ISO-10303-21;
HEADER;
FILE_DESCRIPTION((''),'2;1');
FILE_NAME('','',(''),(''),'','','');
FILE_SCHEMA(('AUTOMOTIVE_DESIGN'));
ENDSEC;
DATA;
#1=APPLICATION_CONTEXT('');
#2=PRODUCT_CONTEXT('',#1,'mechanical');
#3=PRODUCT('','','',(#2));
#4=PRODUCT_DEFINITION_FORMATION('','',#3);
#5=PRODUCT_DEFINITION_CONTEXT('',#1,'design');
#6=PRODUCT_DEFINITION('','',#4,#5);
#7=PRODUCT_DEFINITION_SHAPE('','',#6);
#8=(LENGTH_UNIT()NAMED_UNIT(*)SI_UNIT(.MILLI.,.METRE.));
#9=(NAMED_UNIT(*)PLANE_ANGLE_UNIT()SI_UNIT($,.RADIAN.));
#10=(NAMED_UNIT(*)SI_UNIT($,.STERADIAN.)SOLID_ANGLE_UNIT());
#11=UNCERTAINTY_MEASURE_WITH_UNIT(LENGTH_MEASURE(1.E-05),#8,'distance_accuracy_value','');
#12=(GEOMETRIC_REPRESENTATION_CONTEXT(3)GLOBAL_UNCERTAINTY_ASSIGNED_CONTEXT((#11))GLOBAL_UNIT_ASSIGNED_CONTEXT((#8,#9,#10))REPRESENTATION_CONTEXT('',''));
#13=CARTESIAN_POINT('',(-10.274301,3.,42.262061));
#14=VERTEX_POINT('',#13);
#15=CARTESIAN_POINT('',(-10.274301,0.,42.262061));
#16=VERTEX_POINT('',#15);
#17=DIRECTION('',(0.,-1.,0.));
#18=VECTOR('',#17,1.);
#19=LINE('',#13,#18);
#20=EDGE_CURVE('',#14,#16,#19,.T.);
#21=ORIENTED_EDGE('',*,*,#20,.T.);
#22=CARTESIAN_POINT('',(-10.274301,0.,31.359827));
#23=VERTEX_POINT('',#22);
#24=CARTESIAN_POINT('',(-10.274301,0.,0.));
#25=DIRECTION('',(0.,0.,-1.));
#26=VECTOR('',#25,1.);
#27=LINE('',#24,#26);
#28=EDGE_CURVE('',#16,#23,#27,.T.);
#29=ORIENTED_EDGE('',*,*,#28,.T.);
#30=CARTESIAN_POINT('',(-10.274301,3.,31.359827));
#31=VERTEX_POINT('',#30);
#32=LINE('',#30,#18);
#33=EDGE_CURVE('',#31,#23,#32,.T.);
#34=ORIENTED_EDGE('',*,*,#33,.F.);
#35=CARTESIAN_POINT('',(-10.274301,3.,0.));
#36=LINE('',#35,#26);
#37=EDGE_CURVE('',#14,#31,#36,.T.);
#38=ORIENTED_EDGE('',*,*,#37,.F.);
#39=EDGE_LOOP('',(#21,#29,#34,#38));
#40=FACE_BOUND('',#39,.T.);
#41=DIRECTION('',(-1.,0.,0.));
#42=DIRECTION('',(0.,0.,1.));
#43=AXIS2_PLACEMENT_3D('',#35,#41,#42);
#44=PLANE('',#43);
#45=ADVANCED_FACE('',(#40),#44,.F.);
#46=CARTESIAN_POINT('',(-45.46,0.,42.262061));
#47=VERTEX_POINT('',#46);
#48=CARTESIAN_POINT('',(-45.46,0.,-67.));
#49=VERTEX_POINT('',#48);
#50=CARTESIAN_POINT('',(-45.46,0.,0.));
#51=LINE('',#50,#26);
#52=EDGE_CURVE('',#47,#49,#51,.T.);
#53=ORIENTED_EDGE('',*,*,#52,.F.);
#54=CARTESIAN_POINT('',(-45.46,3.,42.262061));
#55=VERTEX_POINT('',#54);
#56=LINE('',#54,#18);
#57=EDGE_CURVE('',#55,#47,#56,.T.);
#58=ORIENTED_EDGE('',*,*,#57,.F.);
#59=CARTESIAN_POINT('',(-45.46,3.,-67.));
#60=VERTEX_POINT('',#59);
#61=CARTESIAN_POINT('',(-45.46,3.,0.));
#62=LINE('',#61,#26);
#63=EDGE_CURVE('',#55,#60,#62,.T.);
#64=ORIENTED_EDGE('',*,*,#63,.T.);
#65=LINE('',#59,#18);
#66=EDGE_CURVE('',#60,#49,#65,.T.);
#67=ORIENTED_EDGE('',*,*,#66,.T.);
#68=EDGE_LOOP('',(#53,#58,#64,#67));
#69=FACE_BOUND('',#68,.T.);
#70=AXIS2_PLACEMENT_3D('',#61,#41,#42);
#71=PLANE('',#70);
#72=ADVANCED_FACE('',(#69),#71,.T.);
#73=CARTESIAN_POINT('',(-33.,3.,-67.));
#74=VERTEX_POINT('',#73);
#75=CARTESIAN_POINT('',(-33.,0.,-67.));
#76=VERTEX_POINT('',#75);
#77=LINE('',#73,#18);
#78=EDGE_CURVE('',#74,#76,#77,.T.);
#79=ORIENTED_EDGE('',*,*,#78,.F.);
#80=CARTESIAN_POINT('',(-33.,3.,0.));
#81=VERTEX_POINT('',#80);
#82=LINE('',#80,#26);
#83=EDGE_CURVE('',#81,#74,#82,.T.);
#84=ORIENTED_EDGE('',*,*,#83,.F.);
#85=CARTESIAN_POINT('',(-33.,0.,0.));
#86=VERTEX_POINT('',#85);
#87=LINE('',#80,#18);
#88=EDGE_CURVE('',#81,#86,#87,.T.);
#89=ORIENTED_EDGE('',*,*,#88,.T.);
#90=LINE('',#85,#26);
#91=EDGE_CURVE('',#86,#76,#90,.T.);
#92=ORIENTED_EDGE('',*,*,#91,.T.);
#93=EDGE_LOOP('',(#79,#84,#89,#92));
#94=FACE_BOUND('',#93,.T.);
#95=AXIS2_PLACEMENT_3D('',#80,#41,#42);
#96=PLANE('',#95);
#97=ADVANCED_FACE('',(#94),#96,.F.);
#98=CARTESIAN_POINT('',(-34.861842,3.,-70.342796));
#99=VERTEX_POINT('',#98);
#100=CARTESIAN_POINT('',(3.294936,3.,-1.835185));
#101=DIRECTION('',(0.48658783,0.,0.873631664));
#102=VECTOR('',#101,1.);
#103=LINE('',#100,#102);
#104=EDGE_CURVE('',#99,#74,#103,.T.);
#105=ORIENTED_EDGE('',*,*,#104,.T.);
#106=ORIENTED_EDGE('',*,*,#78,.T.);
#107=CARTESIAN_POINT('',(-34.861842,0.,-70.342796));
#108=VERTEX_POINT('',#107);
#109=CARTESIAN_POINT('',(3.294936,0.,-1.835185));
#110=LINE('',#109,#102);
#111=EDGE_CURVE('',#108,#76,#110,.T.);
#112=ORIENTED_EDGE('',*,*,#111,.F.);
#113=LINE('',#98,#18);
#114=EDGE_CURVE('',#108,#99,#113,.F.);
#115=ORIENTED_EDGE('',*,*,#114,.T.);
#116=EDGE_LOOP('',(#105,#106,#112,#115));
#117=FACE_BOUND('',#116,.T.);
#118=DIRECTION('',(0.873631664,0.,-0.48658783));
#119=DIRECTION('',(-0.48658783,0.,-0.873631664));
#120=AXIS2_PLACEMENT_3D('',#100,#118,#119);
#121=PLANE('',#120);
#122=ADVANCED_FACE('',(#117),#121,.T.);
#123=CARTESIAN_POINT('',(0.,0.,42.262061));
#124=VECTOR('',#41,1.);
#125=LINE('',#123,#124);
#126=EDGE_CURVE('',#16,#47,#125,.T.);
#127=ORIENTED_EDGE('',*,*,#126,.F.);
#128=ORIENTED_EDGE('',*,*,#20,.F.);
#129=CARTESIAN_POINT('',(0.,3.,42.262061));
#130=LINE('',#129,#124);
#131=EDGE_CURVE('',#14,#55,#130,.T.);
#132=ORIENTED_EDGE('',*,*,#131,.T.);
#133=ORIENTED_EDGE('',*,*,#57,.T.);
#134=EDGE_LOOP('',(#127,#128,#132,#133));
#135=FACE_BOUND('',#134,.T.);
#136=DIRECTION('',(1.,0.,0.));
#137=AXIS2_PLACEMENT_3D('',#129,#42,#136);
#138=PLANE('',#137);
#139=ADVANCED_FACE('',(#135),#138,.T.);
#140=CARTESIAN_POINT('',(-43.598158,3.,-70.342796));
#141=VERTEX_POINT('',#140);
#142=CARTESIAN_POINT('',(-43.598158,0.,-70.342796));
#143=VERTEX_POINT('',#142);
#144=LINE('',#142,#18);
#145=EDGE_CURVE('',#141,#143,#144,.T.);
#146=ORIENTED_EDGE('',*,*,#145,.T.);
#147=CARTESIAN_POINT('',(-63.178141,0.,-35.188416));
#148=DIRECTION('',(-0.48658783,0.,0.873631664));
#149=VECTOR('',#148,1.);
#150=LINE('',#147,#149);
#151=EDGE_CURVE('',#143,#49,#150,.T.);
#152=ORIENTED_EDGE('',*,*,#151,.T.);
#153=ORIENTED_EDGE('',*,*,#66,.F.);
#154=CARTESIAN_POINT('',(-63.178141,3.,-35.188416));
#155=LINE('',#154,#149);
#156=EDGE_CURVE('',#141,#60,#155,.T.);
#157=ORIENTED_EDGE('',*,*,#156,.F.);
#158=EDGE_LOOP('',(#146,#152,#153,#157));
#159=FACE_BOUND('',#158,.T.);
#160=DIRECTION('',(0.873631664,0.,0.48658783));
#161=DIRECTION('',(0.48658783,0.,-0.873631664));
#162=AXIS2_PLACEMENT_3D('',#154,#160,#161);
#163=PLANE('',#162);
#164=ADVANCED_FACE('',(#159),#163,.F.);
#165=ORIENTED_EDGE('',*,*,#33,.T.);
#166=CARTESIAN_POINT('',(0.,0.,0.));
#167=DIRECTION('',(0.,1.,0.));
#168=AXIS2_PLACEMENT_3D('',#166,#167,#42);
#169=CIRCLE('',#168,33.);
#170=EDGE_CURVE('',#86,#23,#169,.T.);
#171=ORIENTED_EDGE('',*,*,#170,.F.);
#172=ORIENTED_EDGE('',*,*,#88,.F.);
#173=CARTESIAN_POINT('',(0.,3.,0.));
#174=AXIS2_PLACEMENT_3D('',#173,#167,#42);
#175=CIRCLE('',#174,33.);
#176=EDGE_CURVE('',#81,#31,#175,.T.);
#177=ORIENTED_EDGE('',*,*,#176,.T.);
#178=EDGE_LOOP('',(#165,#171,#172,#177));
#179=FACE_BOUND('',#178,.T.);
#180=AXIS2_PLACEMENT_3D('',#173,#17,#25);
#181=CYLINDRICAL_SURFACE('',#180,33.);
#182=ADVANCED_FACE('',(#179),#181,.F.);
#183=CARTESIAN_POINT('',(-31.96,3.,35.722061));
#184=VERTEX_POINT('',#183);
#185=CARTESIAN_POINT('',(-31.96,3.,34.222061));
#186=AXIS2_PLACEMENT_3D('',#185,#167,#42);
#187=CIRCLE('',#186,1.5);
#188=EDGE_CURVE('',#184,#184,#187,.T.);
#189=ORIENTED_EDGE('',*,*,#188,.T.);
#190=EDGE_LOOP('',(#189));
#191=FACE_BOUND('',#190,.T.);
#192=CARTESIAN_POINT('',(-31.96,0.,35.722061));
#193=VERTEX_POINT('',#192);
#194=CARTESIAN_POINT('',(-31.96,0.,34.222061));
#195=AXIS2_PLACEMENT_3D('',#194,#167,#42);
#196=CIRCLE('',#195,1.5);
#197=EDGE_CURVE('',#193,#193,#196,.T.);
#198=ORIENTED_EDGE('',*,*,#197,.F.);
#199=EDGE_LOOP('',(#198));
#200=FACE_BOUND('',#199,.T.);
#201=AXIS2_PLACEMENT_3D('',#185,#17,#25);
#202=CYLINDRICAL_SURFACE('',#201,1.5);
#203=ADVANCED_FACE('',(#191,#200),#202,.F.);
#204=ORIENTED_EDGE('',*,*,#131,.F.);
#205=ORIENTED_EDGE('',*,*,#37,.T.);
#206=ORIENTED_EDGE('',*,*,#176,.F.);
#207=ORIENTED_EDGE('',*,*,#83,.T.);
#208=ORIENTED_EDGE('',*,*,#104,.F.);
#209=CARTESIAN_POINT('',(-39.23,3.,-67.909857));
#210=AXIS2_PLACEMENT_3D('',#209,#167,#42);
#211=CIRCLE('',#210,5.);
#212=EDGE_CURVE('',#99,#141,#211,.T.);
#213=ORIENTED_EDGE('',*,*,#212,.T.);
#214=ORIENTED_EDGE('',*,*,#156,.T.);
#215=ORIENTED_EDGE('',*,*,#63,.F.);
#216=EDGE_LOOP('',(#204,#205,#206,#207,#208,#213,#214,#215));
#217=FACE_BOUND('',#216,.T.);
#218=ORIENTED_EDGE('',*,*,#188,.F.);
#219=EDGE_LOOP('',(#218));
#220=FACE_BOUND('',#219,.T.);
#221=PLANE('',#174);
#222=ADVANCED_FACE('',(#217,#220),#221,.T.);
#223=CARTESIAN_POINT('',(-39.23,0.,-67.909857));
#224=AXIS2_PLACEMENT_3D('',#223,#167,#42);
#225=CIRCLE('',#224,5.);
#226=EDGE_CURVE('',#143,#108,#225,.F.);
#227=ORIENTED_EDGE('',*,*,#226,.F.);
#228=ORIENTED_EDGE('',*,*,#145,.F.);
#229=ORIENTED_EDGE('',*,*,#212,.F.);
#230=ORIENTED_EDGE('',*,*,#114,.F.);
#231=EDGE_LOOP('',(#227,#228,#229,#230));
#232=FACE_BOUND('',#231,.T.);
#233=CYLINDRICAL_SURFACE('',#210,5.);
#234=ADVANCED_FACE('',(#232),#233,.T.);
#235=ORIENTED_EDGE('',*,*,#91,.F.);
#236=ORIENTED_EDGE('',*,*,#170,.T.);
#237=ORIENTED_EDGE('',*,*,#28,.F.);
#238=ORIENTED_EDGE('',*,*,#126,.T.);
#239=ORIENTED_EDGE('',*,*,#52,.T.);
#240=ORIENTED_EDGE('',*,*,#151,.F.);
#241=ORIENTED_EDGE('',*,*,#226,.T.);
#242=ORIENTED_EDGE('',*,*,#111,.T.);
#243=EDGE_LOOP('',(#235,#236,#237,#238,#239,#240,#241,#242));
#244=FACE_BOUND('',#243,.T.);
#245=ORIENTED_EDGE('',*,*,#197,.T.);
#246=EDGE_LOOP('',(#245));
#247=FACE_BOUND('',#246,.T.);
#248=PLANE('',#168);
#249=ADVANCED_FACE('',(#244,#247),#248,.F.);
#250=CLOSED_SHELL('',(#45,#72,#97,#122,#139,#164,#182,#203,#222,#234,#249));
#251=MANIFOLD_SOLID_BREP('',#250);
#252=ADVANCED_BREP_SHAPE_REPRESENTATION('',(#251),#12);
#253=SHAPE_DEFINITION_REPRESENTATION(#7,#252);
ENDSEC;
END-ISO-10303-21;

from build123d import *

# Parameters (mm, degrees)
SKETCH_1_R      = 1.5
EXTRUDE_1_DEPTH = 3
FILLET_4_R      = 5


with BuildPart() as part:
    # 草图1 → 凸台-拉伸1 (new body)
    with BuildSketch(Plane(origin=(0, 0, 0), x_dir=(1, 0, 0), z_dir=(0, 1, 0))):
        with BuildLine():
            Line((-33, 0), (-33, 67))
            Line((-33, 67), (-39.23, 78.185494034))
            Line((-39.23, 78.185494034), (-45.46, 67))
            Line((-45.46, 67), (-45.46, -42.262061372))
            Line((-45.46, -42.262061372), (-10.274300832, -42.262061372))
            Line((-10.274300832, -42.262061372), (-10.274300832, -31.359826887))
            ThreePointArc((-10.274300832, -31.359826887), (-26.721264261, -19.364246339), (-33, 0))
        make_face()
        with Locations(Location((-31.96, -34.222061372, 0), (0, 0, 270))):
            Circle(SKETCH_1_R, mode=Mode.SUBTRACT)
    extrude(amount=EXTRUDE_1_DEPTH)

    # 圆角4
    fillet_4_edges = [part.edges().sort_by_distance(p)[0] for p in [
        (-39.23, 1.5, -78.185494034),
    ]]
    fillet(fillet_4_edges, radius=FILLET_4_R)


solid = part.part
